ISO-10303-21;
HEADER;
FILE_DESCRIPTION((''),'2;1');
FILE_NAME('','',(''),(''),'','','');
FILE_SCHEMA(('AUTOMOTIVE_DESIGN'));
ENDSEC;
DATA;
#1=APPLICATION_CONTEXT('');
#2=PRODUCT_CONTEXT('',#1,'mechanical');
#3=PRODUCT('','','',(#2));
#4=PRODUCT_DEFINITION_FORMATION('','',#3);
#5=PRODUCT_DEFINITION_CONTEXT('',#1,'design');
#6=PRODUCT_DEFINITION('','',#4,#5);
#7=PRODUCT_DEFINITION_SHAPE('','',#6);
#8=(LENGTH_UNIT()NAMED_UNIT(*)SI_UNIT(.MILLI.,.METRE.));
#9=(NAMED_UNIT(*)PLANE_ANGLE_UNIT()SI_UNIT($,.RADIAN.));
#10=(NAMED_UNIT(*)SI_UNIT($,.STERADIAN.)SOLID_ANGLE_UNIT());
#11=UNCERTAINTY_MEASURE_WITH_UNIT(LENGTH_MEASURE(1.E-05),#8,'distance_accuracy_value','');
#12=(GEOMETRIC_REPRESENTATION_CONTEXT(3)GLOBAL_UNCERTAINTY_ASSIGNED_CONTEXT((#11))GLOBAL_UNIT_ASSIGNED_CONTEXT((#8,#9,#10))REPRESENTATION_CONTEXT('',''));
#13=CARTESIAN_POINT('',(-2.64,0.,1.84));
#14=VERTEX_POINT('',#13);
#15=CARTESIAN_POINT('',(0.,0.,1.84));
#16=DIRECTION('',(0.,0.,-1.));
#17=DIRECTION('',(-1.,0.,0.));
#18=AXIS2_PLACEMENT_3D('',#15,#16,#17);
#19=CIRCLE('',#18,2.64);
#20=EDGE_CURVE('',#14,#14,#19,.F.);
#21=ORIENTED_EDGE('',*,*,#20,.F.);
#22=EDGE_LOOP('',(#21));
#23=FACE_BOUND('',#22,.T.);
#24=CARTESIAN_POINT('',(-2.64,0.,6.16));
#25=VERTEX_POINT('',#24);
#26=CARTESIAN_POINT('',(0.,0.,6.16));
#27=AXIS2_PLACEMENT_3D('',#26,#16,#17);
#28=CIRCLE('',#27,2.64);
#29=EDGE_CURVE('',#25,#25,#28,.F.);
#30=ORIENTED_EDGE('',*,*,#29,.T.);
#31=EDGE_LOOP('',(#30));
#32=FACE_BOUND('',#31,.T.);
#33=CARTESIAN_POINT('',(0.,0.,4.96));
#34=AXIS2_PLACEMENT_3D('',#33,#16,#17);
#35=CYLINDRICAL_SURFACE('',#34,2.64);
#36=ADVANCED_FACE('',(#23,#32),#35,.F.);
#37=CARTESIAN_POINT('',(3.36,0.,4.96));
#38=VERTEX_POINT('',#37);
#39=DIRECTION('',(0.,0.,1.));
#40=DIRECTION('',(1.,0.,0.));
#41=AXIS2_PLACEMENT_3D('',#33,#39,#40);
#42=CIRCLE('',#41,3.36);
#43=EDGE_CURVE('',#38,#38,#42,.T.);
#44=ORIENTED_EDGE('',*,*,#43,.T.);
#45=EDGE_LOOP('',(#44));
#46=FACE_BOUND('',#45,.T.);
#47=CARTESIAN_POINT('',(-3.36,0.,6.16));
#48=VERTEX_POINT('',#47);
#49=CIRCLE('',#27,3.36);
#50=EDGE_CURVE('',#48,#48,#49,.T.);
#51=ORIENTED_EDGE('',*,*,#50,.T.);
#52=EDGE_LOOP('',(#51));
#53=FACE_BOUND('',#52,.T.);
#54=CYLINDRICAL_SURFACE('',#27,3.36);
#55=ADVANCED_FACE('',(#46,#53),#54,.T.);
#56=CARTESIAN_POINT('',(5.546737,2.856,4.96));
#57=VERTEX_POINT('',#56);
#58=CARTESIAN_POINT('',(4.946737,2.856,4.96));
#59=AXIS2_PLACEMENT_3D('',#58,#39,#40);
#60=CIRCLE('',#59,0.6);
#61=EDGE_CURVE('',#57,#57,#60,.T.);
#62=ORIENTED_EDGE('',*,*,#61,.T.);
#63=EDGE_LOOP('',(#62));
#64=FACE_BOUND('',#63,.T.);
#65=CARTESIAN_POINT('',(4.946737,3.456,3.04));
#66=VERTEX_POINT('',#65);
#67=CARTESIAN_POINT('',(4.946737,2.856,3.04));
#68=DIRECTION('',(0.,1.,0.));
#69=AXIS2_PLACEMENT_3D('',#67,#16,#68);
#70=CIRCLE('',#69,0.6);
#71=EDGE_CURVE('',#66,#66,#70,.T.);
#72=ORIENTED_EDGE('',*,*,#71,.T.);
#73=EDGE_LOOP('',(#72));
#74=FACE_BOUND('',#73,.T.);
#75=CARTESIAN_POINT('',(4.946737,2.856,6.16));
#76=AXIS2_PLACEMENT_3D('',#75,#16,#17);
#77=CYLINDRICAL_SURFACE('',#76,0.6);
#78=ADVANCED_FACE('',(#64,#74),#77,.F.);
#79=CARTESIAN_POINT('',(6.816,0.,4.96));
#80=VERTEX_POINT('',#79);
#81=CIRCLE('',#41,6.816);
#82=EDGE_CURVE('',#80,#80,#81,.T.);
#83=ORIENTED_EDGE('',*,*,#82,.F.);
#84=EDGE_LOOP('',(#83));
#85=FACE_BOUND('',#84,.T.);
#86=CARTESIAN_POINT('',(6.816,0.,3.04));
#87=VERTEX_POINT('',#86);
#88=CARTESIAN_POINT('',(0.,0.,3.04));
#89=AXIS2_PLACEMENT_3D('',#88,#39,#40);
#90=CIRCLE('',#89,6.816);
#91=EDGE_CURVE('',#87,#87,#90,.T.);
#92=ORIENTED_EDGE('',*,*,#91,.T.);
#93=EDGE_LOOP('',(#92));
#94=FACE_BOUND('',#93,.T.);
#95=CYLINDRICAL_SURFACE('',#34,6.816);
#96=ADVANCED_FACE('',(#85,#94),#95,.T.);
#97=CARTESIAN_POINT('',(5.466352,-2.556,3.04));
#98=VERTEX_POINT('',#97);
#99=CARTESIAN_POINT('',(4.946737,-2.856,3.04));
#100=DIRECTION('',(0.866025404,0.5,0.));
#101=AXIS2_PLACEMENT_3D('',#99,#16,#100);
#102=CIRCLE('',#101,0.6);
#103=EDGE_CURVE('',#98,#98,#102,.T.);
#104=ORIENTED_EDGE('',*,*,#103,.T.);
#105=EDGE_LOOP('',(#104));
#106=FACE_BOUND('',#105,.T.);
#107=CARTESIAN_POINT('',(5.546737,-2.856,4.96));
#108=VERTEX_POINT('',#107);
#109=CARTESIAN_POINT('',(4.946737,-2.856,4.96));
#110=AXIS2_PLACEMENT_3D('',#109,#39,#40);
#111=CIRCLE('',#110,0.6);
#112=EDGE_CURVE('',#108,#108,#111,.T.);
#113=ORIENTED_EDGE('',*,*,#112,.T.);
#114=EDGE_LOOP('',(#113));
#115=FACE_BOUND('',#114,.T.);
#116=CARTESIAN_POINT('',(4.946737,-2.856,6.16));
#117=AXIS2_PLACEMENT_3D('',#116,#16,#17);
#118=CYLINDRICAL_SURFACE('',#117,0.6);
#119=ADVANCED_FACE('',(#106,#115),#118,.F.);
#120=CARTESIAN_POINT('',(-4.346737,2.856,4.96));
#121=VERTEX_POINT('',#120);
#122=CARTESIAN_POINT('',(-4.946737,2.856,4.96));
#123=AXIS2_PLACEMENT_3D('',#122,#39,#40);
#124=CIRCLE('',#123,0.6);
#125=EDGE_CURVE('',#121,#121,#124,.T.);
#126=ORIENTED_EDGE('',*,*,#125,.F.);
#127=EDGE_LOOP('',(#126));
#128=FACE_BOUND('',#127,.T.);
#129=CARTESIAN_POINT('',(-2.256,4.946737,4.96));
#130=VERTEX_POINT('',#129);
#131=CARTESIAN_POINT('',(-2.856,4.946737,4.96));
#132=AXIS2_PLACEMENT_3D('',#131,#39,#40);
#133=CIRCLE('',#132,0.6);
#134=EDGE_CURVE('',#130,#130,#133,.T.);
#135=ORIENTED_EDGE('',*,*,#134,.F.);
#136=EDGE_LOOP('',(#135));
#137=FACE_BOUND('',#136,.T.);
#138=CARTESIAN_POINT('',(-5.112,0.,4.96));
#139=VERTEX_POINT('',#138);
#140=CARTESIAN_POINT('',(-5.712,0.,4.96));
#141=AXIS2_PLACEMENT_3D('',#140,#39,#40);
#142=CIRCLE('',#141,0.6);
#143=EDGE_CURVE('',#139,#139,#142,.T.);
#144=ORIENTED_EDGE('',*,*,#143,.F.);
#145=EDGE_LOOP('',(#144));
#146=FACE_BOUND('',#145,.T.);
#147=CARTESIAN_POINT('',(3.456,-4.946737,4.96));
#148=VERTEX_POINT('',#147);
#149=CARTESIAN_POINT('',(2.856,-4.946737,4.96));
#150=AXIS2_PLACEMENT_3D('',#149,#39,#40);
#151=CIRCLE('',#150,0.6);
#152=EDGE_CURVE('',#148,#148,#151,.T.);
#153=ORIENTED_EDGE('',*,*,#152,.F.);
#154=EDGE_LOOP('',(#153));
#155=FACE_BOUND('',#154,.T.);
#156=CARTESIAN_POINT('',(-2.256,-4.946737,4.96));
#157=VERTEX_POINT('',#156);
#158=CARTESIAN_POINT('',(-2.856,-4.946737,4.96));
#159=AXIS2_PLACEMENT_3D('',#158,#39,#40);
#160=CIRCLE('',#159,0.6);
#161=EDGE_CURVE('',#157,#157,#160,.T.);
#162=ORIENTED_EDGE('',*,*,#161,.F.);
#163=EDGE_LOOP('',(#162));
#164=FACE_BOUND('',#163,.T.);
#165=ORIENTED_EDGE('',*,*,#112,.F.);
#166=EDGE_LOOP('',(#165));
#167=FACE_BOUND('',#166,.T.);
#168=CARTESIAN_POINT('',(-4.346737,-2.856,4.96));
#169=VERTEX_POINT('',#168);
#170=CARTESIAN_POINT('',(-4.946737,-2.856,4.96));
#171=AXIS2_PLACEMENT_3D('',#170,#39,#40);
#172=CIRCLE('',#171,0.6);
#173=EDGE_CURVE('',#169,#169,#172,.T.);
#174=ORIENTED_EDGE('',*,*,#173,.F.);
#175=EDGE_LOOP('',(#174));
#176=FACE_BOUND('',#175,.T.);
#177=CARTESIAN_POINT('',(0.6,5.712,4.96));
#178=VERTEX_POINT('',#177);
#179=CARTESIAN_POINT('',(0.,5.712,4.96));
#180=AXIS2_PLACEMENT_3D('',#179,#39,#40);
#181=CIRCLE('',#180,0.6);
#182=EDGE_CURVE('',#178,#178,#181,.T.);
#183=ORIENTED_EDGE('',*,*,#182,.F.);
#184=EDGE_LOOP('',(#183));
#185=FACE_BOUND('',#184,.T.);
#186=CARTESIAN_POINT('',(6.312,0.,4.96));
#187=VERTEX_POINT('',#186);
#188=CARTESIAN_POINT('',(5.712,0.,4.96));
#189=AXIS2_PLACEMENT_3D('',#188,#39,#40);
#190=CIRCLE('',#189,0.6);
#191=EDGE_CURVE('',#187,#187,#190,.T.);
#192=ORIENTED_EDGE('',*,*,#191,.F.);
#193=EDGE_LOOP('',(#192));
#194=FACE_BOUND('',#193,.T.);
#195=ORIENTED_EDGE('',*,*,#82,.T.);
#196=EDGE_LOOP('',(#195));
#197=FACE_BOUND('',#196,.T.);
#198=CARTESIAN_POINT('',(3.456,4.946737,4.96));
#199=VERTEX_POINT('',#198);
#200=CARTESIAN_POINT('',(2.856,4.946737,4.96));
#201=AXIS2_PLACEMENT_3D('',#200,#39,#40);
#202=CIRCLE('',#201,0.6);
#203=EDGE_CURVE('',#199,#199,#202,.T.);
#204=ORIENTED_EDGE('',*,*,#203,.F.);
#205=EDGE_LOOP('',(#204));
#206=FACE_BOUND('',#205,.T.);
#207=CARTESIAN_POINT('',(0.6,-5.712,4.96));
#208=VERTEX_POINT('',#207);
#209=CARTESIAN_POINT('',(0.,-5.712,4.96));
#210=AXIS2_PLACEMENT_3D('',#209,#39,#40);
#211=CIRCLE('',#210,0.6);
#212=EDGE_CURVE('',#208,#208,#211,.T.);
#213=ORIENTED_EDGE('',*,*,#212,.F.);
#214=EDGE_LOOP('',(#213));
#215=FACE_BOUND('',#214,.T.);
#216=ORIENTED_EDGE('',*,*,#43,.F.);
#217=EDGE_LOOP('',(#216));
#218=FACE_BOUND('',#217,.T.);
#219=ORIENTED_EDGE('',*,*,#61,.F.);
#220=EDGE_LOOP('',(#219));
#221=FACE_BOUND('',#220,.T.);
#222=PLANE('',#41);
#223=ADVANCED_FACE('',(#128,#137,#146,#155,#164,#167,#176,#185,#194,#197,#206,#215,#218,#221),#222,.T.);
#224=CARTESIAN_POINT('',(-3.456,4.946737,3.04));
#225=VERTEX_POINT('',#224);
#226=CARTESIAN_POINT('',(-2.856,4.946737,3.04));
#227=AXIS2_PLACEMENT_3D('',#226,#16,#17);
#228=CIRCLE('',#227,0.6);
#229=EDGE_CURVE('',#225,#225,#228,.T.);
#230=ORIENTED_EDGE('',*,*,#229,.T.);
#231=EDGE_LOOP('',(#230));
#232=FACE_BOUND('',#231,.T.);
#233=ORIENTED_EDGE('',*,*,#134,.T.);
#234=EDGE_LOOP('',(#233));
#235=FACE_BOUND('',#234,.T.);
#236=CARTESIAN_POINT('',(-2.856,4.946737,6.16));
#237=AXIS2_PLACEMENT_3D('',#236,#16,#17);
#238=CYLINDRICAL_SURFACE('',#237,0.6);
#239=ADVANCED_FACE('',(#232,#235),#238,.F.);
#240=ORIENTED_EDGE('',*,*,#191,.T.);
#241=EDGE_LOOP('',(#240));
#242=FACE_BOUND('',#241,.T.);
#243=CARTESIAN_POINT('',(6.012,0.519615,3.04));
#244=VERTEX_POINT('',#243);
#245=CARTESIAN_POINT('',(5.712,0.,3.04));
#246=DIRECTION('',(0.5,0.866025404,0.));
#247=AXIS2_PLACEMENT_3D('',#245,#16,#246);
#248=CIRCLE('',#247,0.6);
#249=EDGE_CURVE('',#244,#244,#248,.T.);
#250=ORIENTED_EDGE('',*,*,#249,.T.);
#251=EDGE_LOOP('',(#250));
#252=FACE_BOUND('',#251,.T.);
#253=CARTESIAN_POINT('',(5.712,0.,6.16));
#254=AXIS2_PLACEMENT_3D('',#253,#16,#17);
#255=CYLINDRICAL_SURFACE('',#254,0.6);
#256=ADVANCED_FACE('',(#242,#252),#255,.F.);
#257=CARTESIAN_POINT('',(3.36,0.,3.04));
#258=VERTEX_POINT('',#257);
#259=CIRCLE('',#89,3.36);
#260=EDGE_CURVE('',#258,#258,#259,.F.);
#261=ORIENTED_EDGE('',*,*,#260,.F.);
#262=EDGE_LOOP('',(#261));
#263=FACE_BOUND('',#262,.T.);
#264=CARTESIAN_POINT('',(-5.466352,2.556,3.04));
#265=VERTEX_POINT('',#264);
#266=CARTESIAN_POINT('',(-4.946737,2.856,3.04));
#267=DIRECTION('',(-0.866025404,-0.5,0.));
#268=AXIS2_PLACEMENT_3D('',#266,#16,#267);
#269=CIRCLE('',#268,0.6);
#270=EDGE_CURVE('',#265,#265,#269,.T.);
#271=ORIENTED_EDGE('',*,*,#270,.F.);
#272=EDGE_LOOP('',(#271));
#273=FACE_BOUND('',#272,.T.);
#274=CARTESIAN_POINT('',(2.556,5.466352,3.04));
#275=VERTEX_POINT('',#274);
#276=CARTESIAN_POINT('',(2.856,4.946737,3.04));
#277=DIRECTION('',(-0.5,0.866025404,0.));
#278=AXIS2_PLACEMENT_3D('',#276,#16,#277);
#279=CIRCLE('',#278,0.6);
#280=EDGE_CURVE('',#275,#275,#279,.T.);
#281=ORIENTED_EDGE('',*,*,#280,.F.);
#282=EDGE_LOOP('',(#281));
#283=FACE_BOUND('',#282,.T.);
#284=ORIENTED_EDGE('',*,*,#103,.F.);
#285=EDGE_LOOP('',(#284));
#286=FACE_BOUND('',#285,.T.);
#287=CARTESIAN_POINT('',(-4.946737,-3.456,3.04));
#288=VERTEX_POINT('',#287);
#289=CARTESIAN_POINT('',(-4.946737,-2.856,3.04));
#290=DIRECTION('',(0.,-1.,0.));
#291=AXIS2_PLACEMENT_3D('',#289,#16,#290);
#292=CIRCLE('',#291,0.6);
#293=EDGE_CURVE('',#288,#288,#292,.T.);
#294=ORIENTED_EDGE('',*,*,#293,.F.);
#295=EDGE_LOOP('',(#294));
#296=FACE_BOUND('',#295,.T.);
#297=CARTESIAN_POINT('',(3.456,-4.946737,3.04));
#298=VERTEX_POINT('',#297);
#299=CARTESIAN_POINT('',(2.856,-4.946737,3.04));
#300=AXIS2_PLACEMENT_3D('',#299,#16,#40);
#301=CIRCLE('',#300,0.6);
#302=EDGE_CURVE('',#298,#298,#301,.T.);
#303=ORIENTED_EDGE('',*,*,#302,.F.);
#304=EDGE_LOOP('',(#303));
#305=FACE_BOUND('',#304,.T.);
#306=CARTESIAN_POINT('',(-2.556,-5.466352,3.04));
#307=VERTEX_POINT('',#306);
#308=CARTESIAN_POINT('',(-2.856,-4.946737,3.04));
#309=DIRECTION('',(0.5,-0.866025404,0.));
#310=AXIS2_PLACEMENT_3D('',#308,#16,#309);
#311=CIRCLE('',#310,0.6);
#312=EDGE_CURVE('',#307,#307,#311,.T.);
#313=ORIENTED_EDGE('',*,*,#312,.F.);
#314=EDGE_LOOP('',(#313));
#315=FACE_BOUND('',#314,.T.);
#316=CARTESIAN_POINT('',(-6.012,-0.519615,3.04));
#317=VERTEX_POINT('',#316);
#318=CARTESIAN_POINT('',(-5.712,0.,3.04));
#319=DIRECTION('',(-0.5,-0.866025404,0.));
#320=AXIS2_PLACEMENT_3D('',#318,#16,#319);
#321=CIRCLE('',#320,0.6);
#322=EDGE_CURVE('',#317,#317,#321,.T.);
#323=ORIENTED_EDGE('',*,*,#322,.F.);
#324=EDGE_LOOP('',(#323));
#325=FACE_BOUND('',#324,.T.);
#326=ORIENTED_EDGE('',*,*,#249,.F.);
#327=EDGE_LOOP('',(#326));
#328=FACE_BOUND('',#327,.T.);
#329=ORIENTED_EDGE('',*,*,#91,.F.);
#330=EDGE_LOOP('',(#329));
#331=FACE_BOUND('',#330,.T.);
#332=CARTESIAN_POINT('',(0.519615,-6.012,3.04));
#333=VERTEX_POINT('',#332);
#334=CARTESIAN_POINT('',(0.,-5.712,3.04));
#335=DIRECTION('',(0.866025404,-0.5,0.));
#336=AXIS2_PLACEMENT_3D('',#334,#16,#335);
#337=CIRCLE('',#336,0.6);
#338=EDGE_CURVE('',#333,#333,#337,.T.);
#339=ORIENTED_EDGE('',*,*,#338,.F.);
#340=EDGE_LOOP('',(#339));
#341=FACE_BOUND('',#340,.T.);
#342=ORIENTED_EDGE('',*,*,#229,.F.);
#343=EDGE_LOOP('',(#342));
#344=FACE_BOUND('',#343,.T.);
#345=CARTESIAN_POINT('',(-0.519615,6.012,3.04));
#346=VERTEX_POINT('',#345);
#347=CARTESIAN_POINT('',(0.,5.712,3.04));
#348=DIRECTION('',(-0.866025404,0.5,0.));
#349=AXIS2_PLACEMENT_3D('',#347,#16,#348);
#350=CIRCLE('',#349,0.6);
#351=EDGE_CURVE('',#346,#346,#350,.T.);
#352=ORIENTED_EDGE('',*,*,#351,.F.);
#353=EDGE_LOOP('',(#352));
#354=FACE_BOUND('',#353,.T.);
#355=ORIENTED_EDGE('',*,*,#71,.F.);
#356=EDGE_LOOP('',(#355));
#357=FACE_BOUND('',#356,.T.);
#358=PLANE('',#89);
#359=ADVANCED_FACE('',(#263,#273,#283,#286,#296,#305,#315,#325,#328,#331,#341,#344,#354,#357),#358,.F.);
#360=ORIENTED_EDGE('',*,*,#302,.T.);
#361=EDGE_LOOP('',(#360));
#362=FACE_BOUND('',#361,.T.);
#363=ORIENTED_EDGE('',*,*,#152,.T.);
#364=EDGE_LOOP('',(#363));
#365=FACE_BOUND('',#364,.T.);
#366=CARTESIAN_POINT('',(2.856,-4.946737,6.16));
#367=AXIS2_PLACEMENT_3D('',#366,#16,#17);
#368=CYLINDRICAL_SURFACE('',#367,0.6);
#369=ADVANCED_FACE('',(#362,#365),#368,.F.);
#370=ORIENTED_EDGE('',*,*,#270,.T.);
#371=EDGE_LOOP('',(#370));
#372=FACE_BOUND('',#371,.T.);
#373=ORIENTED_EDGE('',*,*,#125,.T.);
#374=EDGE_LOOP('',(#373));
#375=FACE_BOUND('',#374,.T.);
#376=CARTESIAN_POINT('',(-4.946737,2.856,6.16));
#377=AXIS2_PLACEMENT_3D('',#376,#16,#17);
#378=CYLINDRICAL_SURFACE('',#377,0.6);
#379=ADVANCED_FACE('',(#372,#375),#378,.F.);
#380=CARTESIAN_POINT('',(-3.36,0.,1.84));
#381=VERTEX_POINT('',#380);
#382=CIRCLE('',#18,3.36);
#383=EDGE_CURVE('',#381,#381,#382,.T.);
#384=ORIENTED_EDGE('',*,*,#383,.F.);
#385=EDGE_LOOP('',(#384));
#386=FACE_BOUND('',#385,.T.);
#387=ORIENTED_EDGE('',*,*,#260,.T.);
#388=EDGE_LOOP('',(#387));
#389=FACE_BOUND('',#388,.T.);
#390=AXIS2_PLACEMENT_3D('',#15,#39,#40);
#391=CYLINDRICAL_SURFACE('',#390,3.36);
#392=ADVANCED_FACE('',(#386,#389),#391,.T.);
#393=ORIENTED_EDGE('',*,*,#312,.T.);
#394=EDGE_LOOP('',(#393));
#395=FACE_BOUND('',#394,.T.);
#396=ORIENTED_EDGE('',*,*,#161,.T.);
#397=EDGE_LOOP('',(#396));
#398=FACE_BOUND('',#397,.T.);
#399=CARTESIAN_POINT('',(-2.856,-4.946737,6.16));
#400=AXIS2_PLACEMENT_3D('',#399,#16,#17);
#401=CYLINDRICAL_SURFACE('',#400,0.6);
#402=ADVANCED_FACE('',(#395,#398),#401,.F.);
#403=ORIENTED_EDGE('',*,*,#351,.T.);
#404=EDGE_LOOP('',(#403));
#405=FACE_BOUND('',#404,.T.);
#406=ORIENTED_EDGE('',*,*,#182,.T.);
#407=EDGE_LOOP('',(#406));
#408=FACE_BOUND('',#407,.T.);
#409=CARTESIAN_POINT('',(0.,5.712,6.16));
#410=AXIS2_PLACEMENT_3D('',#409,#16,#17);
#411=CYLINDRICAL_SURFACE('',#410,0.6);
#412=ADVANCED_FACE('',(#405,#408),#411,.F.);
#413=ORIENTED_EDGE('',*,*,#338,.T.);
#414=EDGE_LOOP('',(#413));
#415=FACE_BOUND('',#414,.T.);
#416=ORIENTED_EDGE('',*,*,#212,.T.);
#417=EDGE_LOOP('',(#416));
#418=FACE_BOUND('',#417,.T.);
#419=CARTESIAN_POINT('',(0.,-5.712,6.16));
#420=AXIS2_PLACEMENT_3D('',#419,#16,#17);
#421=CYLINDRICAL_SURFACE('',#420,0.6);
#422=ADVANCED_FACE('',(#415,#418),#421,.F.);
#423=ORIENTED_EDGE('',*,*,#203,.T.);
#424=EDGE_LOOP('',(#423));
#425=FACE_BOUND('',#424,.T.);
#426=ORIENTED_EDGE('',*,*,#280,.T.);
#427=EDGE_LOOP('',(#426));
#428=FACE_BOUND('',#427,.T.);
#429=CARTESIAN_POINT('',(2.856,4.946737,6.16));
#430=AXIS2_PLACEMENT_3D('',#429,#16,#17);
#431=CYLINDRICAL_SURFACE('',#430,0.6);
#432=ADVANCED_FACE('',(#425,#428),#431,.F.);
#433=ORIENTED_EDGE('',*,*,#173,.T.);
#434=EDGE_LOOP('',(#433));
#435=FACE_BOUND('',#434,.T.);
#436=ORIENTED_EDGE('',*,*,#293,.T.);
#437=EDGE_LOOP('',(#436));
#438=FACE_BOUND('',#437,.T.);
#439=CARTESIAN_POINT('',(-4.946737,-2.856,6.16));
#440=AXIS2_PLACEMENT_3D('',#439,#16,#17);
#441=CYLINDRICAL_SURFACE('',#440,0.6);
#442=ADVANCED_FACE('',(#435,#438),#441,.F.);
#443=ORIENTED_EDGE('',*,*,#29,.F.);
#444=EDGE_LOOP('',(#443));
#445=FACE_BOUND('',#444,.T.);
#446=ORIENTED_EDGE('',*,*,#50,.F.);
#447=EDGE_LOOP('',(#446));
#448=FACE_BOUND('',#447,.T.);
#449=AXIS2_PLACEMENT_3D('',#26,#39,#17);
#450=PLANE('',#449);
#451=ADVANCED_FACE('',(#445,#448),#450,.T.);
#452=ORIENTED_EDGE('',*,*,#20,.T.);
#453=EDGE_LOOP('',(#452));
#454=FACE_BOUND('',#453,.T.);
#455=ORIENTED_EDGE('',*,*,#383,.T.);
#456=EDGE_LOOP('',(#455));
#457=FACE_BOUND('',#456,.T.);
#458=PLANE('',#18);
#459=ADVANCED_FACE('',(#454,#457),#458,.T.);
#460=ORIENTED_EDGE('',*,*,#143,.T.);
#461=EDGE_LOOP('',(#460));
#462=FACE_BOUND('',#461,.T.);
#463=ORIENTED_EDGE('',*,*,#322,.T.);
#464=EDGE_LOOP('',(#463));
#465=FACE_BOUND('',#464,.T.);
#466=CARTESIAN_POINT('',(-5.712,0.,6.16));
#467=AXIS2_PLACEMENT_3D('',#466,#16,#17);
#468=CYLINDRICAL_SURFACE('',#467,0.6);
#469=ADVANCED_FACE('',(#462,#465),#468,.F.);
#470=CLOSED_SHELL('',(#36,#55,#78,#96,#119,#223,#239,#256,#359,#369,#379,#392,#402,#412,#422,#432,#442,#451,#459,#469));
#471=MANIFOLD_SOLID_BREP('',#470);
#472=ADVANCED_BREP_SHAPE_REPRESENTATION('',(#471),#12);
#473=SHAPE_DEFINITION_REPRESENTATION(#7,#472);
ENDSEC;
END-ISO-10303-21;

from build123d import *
from build123d.topology import SkipClean

# Parameters (mm, degrees)
SKETCH1_R           = 28.4
SKETCH1_R_2         = 11
BOSS_EXTRUDE1_DEPTH = 8
BOSS_EXTRUDE2_START = 5
SKETCH2_R           = 14
SKETCH2_R_2         = 11
BOSS_EXTRUDE2_DEPTH = 5
SKETCH3_R           = 2.5
CUT_EXTRUDE1_DEPTH  = 43.215163153
CIRPATTERN1_COUNT   = 12
SCALE1_SCALE        = 0.24


with BuildPart() as part:
    # Sketch1 → Boss-Extrude1 (new body)
    with BuildSketch(Plane.XY):
        Circle(SKETCH1_R)
        Circle(SKETCH1_R_2, mode=Mode.SUBTRACT)
    extrude(amount=BOSS_EXTRUDE1_DEPTH)

    # Sketch2 → Boss-Extrude2 (add)
    with SkipClean():  # the faces are left unmerged after this step: merging them gives an invalid solid
        with BuildSketch(Plane(origin=(0, 0, 0), x_dir=(-1, 0, 0), z_dir=(0, 0, -1)).offset(BOSS_EXTRUDE2_START)):
            with Locations(Location((0, 0, 0), (0, 0, 180))):
                Circle(SKETCH2_R)
            Circle(SKETCH2_R_2, mode=Mode.SUBTRACT)
        boss_extrude2 = extrude(amount=-BOSS_EXTRUDE2_DEPTH)

    # Mirror1: Boss-Extrude2 across plane
    add(boss_extrude2.mirror(Plane.XY.offset(4)))

    # Sketch3 → Cut-Extrude1 (cut, through all)
    with BuildSketch(Plane(origin=(0, 0, 0), x_dir=(-1, 0, 0), z_dir=(0, 0, -1))):
        with Locations((11.9, 20.61140461)):
            Circle(SKETCH3_R)
    cut_extrude1 = extrude(amount=-CUT_EXTRUDE1_DEPTH, mode=Mode.SUBTRACT)

    # CirPattern1: Cut-Extrude1 ×12 about axis
    cirpattern1_axis = Axis((0, 0, 0), (0, 0, 1))
    for i in range(1, CIRPATTERN1_COUNT):
        add(cut_extrude1.rotate(cirpattern1_axis, i * 360 / CIRPATTERN1_COUNT), mode=Mode.SUBTRACT)


with BuildPart() as part_1:
    # Scale1: scaled about (0, 0, 4)
    add(part.part.scale(SCALE1_SCALE).moved(Location((0, 0, 3.04))))


solid = part_1.part
